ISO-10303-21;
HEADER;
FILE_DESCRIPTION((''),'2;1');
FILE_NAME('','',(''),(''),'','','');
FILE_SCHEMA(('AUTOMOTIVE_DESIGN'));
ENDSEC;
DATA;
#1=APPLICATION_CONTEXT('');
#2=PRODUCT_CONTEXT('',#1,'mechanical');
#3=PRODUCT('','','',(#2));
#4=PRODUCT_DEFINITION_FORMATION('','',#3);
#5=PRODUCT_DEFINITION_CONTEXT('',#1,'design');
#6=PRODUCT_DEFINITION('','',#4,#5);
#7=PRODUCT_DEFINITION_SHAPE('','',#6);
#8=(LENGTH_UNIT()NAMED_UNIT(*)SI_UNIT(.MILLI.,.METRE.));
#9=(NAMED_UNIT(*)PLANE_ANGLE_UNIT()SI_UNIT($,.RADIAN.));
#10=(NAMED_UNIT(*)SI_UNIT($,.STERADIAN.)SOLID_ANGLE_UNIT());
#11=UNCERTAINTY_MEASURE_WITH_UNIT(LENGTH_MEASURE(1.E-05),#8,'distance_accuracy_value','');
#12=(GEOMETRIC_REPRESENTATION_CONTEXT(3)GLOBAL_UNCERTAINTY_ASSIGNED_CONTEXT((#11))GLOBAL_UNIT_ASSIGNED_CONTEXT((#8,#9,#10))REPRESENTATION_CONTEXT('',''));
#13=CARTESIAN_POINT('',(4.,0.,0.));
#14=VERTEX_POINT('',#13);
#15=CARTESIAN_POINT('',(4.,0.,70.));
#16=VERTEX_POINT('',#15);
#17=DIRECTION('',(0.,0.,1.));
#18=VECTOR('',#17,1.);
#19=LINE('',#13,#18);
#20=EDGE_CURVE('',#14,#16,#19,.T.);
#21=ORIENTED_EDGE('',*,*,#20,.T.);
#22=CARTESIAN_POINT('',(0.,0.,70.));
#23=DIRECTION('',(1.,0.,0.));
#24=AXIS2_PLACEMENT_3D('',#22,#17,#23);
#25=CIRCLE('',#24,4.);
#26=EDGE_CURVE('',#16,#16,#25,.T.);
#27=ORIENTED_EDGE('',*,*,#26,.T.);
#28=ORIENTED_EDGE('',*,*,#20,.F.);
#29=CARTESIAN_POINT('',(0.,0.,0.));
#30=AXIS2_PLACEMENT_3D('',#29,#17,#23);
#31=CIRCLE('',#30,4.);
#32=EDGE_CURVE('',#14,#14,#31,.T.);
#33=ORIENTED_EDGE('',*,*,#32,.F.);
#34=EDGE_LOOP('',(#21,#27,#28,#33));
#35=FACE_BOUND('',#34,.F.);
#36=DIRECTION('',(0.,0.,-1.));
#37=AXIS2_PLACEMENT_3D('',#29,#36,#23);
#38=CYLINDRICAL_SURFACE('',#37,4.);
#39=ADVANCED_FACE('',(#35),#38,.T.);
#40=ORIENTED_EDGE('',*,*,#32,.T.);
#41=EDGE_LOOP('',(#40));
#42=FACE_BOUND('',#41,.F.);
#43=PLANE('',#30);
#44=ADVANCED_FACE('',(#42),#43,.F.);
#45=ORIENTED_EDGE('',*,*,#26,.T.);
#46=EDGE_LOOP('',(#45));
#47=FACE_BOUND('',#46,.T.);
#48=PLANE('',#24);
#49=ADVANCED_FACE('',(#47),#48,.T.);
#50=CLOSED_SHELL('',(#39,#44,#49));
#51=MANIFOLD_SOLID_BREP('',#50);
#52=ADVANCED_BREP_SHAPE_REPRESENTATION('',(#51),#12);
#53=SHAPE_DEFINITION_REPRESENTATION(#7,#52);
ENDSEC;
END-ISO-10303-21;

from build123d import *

# Parameters (mm, degrees)
SKETCH_1_R      = 4
EXTRUDE_1_DEPTH = 70


with BuildPart() as part:
    # 草图1 → 凸台-拉伸1 (new body)
    with BuildSketch(Plane.XY):
        Circle(SKETCH_1_R)
    extrude(amount=EXTRUDE_1_DEPTH)


solid = part.part
